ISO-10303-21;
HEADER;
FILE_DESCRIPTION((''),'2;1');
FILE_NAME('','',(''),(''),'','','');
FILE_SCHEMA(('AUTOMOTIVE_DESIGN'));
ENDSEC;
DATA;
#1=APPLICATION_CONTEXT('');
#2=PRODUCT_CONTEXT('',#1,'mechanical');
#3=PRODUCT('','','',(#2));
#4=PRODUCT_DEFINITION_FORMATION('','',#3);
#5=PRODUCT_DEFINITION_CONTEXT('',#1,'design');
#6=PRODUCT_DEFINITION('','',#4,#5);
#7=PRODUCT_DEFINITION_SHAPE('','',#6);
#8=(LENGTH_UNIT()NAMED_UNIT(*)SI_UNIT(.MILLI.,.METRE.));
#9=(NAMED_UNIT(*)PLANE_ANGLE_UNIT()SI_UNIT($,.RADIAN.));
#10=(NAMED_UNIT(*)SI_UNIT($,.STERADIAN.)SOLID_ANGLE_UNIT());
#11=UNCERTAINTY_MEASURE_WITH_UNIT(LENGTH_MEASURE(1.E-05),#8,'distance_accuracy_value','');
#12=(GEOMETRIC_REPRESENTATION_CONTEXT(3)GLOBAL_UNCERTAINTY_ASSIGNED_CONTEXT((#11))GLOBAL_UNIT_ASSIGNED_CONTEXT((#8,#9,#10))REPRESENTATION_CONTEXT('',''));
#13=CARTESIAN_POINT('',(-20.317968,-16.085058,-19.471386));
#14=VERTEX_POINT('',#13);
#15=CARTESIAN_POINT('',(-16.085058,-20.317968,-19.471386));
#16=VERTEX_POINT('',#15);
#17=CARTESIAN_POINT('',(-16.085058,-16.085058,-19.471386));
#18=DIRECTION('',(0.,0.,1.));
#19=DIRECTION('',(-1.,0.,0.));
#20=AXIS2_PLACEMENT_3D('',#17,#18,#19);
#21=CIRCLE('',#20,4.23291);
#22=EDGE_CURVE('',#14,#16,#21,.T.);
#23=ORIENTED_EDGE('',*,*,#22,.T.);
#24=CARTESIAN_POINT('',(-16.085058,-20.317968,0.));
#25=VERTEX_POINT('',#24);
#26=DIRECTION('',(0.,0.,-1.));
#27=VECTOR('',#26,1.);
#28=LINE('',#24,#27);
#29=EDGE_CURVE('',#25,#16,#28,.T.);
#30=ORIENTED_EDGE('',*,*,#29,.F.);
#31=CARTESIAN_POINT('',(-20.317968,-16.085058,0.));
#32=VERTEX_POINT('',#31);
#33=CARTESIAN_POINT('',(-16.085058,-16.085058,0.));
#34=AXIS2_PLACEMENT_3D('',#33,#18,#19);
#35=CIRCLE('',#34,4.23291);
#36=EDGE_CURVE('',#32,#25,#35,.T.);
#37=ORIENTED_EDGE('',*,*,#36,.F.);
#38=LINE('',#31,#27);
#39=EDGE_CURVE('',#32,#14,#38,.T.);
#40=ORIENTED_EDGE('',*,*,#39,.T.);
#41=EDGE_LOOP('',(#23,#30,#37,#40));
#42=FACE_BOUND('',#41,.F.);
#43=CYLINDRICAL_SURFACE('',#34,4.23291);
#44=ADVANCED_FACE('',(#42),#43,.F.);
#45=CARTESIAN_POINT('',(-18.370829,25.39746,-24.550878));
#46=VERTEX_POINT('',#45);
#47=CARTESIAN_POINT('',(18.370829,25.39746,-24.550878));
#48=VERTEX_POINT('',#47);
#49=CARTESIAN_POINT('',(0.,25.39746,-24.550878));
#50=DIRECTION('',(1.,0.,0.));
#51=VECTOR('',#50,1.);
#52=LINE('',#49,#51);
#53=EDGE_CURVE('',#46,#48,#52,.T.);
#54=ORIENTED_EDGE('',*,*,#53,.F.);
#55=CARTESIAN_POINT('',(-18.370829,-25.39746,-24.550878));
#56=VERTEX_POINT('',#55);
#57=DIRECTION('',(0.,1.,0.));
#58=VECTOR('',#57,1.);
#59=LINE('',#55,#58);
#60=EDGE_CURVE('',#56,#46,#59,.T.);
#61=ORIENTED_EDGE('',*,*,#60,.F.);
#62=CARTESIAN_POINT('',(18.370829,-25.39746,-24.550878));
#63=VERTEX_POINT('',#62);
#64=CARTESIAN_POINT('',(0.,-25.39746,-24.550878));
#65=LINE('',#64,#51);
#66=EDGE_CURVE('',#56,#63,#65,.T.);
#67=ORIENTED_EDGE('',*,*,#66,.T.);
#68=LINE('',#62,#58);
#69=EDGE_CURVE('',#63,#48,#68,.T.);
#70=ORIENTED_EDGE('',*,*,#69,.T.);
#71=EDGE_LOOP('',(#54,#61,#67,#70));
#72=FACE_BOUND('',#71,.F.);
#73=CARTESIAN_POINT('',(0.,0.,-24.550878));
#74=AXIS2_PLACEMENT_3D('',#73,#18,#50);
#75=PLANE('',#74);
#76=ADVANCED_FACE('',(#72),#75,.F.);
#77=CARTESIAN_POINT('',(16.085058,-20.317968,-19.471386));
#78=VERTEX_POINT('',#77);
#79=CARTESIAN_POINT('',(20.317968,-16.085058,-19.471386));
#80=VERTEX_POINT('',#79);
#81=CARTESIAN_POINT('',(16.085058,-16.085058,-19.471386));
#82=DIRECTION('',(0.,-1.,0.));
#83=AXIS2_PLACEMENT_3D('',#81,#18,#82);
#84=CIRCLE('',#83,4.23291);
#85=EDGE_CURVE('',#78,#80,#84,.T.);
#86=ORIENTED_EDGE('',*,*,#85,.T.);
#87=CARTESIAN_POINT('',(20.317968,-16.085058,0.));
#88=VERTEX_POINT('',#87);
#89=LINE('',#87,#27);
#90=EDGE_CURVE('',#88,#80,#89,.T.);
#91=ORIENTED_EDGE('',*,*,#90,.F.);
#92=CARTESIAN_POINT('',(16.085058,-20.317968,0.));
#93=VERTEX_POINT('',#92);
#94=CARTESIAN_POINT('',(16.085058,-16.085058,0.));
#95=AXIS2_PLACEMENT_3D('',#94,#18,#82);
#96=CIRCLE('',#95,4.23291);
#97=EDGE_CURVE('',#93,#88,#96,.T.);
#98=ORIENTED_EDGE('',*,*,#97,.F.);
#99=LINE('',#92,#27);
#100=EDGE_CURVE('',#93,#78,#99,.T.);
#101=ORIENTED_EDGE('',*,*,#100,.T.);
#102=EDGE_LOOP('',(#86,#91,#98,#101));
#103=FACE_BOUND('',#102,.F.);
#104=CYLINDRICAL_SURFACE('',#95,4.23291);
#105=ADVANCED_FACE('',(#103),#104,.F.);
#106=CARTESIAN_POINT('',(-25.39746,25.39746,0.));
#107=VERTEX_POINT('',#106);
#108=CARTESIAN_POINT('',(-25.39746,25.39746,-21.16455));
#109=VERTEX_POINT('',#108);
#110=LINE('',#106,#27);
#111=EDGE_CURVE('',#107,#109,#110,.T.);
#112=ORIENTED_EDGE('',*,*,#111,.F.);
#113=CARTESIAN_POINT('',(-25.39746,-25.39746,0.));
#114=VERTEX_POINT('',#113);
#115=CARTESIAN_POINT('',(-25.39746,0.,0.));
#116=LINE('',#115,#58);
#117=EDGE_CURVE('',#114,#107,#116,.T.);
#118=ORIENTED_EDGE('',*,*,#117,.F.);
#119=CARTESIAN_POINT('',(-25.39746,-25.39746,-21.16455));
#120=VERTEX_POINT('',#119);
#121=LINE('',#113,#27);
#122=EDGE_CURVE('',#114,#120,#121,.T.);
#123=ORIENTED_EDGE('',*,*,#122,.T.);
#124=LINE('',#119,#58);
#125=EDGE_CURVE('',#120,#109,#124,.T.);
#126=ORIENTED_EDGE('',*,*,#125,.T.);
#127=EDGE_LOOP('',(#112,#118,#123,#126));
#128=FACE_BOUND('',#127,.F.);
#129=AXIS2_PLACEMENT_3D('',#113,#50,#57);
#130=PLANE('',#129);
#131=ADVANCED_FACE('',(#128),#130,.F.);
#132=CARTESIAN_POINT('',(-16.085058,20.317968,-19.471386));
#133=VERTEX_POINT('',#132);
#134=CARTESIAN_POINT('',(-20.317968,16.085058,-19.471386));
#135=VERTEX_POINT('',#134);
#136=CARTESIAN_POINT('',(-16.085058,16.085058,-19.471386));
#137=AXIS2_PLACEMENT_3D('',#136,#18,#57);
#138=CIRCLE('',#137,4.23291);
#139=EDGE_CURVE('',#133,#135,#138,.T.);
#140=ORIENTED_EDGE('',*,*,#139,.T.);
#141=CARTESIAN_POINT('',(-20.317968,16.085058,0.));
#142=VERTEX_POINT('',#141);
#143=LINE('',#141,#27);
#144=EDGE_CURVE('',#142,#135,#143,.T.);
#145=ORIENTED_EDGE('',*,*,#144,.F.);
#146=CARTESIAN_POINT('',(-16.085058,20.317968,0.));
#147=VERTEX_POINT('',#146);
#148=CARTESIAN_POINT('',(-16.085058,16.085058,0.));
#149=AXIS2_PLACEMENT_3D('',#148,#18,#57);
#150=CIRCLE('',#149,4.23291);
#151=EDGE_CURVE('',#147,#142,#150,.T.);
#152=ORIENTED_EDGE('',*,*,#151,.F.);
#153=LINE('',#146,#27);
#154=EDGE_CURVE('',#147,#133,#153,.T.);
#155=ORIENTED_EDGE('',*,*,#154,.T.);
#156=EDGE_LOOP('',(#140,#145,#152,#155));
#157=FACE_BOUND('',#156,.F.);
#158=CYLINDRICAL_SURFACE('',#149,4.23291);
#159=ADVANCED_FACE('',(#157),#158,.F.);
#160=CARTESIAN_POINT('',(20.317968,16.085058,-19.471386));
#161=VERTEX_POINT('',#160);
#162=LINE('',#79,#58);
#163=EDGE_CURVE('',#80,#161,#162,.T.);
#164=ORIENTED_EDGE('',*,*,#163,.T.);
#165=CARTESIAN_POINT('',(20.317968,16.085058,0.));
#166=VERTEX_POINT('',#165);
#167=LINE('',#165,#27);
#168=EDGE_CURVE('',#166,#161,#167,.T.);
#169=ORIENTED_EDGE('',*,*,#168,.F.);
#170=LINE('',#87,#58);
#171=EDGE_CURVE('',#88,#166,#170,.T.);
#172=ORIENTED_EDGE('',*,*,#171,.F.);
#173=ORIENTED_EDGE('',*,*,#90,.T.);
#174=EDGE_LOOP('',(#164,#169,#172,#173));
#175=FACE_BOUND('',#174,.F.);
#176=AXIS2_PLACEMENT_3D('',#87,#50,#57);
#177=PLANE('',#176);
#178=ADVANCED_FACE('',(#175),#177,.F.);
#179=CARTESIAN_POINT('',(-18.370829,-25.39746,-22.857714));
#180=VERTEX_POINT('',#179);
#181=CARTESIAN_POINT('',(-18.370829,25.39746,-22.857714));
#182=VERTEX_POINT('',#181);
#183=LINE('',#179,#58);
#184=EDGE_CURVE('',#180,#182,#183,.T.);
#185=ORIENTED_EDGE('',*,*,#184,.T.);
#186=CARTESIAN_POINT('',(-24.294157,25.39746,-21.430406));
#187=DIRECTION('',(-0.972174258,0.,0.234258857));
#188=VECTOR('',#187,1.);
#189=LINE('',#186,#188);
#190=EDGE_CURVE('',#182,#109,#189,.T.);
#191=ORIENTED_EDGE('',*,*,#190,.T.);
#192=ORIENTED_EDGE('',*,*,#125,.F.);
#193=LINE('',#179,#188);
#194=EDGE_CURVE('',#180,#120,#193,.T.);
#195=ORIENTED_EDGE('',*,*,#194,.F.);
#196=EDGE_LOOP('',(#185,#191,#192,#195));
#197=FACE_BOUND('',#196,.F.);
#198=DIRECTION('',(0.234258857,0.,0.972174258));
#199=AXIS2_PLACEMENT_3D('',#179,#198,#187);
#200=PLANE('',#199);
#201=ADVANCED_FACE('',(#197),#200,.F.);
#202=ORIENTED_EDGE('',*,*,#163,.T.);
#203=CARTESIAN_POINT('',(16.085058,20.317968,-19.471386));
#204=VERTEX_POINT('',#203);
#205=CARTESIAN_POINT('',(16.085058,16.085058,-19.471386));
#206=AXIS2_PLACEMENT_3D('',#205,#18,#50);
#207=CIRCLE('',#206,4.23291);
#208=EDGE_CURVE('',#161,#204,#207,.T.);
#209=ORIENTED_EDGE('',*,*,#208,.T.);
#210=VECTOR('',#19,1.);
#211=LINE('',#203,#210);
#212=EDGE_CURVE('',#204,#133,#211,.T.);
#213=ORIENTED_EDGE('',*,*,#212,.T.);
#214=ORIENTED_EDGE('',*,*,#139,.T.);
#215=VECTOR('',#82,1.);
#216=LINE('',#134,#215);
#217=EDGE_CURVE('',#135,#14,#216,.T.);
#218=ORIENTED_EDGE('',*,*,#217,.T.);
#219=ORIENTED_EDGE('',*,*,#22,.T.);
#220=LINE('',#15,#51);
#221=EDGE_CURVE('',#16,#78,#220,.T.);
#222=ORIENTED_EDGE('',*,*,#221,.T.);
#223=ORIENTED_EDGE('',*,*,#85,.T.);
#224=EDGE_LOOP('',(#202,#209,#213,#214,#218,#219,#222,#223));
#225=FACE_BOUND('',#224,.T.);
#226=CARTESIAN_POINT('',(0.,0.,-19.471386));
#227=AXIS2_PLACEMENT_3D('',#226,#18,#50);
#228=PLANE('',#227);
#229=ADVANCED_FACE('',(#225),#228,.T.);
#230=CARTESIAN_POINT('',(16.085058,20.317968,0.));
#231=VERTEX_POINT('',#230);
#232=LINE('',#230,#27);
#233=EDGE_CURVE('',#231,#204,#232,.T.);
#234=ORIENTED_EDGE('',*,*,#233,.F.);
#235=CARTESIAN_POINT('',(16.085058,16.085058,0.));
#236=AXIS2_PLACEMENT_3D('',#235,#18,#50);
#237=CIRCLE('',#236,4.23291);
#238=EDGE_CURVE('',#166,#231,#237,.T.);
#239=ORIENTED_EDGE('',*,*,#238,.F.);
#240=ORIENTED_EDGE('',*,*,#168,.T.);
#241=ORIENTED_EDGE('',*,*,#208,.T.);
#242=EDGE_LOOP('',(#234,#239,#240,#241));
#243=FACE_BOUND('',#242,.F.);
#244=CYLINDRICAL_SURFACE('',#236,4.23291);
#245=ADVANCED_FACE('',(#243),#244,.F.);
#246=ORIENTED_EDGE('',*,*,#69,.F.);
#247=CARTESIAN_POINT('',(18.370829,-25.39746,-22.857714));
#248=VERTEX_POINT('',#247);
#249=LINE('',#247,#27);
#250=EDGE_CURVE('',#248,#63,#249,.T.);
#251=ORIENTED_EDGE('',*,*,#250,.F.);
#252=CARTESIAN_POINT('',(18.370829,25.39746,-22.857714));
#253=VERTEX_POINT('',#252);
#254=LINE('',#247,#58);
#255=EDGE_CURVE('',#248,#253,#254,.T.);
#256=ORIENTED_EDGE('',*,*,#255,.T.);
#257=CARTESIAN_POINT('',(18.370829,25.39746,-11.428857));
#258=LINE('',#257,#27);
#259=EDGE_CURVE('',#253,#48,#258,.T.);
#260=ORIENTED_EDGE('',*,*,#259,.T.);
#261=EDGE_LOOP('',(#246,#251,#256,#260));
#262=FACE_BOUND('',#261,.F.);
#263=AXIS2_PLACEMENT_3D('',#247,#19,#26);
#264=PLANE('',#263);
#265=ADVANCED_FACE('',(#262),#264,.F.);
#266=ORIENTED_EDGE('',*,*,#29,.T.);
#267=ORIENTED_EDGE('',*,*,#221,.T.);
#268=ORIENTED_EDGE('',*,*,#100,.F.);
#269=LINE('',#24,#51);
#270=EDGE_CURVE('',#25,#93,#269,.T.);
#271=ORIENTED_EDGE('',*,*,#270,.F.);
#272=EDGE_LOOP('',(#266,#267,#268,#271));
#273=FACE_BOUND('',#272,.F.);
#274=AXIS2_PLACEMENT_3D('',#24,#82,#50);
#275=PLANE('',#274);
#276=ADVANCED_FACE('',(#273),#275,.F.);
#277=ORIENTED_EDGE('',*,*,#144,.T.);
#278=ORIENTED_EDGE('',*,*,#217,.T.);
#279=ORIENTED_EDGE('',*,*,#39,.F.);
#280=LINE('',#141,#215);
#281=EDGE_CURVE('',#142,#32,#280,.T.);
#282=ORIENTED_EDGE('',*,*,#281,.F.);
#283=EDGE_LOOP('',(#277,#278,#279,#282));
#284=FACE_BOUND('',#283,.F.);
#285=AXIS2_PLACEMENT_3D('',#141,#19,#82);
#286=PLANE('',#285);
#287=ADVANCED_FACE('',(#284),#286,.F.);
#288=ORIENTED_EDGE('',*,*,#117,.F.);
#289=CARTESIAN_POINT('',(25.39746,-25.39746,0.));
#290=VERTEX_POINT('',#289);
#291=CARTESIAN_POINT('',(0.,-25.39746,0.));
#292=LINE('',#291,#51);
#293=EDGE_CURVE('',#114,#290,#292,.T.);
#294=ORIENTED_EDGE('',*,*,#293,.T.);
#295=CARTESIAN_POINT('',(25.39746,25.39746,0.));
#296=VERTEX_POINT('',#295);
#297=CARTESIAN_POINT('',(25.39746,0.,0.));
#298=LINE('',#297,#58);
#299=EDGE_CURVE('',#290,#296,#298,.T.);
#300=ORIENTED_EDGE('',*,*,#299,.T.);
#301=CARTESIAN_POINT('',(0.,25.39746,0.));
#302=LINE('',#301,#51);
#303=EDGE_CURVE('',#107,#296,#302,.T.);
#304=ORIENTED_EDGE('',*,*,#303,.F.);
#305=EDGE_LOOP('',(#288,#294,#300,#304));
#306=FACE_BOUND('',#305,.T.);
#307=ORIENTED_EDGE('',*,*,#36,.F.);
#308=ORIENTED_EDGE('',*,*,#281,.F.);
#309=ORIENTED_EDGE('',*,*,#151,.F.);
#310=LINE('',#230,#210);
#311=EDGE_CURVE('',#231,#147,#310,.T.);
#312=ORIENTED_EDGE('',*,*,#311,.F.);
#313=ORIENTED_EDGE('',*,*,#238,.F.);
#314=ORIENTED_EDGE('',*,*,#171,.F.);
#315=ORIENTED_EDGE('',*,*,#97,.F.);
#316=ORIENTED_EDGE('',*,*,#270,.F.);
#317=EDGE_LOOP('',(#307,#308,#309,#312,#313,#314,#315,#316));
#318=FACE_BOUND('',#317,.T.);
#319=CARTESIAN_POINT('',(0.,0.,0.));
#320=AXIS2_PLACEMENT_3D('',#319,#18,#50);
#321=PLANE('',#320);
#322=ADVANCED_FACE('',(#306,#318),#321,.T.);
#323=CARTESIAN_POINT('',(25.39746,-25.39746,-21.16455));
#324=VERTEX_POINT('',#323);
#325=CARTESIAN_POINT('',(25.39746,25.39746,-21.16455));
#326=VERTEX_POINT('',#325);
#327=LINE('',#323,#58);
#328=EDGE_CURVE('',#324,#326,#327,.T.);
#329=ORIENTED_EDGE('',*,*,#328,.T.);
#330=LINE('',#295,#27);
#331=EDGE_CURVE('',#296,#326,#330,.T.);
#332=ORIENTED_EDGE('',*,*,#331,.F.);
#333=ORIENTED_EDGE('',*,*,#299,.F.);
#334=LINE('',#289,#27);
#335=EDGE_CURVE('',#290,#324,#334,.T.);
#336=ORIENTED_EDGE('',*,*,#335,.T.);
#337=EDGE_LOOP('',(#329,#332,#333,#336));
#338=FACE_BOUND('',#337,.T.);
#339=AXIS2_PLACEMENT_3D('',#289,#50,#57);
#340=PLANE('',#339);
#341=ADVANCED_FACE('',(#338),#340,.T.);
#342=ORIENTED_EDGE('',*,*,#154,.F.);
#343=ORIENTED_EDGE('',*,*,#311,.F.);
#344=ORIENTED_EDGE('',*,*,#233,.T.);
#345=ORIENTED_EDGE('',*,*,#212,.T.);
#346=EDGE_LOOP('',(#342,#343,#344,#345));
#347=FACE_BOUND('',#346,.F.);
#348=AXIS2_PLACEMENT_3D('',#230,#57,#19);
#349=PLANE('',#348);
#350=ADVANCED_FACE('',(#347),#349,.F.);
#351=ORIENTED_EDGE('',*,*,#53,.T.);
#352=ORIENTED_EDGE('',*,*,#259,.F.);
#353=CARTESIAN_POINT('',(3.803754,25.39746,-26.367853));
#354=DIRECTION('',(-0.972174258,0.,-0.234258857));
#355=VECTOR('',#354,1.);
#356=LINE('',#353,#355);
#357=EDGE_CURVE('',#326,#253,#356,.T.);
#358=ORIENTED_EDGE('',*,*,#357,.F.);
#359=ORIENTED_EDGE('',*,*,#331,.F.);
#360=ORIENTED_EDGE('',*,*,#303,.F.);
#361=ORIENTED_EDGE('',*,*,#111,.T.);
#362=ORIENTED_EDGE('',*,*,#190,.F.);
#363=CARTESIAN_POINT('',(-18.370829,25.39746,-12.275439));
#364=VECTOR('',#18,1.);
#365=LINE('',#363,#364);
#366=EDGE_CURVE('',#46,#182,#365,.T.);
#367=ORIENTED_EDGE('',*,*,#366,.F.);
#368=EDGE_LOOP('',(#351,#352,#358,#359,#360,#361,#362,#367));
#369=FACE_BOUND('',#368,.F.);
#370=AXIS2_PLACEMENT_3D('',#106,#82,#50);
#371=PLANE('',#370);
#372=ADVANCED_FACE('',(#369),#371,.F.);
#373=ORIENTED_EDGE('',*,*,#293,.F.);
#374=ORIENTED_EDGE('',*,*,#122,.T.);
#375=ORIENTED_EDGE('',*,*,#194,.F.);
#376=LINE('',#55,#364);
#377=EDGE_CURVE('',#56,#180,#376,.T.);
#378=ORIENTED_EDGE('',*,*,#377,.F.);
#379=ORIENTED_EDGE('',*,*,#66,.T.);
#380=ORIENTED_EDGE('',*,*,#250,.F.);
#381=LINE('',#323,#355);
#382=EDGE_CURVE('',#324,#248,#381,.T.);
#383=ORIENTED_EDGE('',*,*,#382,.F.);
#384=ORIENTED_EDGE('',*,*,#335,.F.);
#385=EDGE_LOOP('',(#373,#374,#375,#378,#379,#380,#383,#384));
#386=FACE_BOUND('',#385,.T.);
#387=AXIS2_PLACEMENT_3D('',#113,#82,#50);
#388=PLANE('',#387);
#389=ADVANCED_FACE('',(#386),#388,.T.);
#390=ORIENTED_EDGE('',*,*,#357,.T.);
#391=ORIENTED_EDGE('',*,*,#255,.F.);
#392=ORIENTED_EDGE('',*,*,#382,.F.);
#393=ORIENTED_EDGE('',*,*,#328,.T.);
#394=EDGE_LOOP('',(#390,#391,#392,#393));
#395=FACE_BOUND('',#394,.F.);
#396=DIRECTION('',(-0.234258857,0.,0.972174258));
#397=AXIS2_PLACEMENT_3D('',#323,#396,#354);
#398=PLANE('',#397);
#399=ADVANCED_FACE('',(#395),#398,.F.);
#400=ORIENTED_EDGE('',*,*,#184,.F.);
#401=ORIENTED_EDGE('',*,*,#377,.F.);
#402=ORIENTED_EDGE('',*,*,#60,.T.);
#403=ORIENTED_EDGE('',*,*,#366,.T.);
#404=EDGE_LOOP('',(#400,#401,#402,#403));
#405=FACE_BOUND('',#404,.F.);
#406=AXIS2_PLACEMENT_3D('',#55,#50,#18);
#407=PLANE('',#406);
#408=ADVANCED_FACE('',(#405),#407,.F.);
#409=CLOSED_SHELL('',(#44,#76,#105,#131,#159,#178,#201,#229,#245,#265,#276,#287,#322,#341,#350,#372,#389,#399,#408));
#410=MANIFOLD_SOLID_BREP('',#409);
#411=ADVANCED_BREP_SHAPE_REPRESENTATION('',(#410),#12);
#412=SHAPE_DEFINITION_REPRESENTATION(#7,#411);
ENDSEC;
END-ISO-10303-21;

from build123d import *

# Parameters (mm, degrees)
F0_W     = 76.2
F0_H     = 76.2
F1_DEPTH = 36.83
F3_DEPTH = 76.201
F5_DEPTH = 29.21
F6_SCALE = 0.6666


with BuildPart() as f1:
    # F0 (on Top) → F1 (new body)
    with BuildSketch(Plane.XY):
        Rectangle(F0_W, F0_H)
    extrude(amount=-F1_DEPTH)

    # F2 (on face) → F3 (cut, through all)
    with BuildSketch(Plane.XZ.offset(38.1)):
        Polygon((27.559, -34.29), (27.559, -36.83), (38.1, -36.83), (38.1, -31.75), align=None)
        Polygon((-38.1, -36.83), (-27.559, -36.83), (-27.559, -34.29), (-38.1, -31.75), align=None)
    extrude(amount=-F3_DEPTH, mode=Mode.SUBTRACT)

    # F4 (on face) → F5 (cut)
    with BuildSketch(Plane.XY):
        with BuildLine():
            ThreePointArc((30.48, 24.13), (28.6201280605, 28.6201280605), (24.13, 30.48))
            Line((24.13, 30.48), (-24.13, 30.48))
            ThreePointArc((-24.13, 30.48), (-28.6201280605, 28.6201280605), (-30.48, 24.13))
            Line((-30.48, 24.13), (-30.48, -24.13))
            ThreePointArc((-30.48, -24.13), (-28.6201280605, -28.6201280605), (-24.13, -30.48))
            Line((-24.13, -30.48), (24.13, -30.48))
            ThreePointArc((24.13, -30.48), (28.6201280605, -28.6201280605), (30.48, -24.13))
            Line((30.48, -24.13), (30.48, 24.13))
        make_face()
    extrude(amount=-F5_DEPTH, mode=Mode.SUBTRACT)


with BuildPart() as f1_1:
    # F6: moved
    add(f1.part.scale(F6_SCALE))


solid = f1_1.part
